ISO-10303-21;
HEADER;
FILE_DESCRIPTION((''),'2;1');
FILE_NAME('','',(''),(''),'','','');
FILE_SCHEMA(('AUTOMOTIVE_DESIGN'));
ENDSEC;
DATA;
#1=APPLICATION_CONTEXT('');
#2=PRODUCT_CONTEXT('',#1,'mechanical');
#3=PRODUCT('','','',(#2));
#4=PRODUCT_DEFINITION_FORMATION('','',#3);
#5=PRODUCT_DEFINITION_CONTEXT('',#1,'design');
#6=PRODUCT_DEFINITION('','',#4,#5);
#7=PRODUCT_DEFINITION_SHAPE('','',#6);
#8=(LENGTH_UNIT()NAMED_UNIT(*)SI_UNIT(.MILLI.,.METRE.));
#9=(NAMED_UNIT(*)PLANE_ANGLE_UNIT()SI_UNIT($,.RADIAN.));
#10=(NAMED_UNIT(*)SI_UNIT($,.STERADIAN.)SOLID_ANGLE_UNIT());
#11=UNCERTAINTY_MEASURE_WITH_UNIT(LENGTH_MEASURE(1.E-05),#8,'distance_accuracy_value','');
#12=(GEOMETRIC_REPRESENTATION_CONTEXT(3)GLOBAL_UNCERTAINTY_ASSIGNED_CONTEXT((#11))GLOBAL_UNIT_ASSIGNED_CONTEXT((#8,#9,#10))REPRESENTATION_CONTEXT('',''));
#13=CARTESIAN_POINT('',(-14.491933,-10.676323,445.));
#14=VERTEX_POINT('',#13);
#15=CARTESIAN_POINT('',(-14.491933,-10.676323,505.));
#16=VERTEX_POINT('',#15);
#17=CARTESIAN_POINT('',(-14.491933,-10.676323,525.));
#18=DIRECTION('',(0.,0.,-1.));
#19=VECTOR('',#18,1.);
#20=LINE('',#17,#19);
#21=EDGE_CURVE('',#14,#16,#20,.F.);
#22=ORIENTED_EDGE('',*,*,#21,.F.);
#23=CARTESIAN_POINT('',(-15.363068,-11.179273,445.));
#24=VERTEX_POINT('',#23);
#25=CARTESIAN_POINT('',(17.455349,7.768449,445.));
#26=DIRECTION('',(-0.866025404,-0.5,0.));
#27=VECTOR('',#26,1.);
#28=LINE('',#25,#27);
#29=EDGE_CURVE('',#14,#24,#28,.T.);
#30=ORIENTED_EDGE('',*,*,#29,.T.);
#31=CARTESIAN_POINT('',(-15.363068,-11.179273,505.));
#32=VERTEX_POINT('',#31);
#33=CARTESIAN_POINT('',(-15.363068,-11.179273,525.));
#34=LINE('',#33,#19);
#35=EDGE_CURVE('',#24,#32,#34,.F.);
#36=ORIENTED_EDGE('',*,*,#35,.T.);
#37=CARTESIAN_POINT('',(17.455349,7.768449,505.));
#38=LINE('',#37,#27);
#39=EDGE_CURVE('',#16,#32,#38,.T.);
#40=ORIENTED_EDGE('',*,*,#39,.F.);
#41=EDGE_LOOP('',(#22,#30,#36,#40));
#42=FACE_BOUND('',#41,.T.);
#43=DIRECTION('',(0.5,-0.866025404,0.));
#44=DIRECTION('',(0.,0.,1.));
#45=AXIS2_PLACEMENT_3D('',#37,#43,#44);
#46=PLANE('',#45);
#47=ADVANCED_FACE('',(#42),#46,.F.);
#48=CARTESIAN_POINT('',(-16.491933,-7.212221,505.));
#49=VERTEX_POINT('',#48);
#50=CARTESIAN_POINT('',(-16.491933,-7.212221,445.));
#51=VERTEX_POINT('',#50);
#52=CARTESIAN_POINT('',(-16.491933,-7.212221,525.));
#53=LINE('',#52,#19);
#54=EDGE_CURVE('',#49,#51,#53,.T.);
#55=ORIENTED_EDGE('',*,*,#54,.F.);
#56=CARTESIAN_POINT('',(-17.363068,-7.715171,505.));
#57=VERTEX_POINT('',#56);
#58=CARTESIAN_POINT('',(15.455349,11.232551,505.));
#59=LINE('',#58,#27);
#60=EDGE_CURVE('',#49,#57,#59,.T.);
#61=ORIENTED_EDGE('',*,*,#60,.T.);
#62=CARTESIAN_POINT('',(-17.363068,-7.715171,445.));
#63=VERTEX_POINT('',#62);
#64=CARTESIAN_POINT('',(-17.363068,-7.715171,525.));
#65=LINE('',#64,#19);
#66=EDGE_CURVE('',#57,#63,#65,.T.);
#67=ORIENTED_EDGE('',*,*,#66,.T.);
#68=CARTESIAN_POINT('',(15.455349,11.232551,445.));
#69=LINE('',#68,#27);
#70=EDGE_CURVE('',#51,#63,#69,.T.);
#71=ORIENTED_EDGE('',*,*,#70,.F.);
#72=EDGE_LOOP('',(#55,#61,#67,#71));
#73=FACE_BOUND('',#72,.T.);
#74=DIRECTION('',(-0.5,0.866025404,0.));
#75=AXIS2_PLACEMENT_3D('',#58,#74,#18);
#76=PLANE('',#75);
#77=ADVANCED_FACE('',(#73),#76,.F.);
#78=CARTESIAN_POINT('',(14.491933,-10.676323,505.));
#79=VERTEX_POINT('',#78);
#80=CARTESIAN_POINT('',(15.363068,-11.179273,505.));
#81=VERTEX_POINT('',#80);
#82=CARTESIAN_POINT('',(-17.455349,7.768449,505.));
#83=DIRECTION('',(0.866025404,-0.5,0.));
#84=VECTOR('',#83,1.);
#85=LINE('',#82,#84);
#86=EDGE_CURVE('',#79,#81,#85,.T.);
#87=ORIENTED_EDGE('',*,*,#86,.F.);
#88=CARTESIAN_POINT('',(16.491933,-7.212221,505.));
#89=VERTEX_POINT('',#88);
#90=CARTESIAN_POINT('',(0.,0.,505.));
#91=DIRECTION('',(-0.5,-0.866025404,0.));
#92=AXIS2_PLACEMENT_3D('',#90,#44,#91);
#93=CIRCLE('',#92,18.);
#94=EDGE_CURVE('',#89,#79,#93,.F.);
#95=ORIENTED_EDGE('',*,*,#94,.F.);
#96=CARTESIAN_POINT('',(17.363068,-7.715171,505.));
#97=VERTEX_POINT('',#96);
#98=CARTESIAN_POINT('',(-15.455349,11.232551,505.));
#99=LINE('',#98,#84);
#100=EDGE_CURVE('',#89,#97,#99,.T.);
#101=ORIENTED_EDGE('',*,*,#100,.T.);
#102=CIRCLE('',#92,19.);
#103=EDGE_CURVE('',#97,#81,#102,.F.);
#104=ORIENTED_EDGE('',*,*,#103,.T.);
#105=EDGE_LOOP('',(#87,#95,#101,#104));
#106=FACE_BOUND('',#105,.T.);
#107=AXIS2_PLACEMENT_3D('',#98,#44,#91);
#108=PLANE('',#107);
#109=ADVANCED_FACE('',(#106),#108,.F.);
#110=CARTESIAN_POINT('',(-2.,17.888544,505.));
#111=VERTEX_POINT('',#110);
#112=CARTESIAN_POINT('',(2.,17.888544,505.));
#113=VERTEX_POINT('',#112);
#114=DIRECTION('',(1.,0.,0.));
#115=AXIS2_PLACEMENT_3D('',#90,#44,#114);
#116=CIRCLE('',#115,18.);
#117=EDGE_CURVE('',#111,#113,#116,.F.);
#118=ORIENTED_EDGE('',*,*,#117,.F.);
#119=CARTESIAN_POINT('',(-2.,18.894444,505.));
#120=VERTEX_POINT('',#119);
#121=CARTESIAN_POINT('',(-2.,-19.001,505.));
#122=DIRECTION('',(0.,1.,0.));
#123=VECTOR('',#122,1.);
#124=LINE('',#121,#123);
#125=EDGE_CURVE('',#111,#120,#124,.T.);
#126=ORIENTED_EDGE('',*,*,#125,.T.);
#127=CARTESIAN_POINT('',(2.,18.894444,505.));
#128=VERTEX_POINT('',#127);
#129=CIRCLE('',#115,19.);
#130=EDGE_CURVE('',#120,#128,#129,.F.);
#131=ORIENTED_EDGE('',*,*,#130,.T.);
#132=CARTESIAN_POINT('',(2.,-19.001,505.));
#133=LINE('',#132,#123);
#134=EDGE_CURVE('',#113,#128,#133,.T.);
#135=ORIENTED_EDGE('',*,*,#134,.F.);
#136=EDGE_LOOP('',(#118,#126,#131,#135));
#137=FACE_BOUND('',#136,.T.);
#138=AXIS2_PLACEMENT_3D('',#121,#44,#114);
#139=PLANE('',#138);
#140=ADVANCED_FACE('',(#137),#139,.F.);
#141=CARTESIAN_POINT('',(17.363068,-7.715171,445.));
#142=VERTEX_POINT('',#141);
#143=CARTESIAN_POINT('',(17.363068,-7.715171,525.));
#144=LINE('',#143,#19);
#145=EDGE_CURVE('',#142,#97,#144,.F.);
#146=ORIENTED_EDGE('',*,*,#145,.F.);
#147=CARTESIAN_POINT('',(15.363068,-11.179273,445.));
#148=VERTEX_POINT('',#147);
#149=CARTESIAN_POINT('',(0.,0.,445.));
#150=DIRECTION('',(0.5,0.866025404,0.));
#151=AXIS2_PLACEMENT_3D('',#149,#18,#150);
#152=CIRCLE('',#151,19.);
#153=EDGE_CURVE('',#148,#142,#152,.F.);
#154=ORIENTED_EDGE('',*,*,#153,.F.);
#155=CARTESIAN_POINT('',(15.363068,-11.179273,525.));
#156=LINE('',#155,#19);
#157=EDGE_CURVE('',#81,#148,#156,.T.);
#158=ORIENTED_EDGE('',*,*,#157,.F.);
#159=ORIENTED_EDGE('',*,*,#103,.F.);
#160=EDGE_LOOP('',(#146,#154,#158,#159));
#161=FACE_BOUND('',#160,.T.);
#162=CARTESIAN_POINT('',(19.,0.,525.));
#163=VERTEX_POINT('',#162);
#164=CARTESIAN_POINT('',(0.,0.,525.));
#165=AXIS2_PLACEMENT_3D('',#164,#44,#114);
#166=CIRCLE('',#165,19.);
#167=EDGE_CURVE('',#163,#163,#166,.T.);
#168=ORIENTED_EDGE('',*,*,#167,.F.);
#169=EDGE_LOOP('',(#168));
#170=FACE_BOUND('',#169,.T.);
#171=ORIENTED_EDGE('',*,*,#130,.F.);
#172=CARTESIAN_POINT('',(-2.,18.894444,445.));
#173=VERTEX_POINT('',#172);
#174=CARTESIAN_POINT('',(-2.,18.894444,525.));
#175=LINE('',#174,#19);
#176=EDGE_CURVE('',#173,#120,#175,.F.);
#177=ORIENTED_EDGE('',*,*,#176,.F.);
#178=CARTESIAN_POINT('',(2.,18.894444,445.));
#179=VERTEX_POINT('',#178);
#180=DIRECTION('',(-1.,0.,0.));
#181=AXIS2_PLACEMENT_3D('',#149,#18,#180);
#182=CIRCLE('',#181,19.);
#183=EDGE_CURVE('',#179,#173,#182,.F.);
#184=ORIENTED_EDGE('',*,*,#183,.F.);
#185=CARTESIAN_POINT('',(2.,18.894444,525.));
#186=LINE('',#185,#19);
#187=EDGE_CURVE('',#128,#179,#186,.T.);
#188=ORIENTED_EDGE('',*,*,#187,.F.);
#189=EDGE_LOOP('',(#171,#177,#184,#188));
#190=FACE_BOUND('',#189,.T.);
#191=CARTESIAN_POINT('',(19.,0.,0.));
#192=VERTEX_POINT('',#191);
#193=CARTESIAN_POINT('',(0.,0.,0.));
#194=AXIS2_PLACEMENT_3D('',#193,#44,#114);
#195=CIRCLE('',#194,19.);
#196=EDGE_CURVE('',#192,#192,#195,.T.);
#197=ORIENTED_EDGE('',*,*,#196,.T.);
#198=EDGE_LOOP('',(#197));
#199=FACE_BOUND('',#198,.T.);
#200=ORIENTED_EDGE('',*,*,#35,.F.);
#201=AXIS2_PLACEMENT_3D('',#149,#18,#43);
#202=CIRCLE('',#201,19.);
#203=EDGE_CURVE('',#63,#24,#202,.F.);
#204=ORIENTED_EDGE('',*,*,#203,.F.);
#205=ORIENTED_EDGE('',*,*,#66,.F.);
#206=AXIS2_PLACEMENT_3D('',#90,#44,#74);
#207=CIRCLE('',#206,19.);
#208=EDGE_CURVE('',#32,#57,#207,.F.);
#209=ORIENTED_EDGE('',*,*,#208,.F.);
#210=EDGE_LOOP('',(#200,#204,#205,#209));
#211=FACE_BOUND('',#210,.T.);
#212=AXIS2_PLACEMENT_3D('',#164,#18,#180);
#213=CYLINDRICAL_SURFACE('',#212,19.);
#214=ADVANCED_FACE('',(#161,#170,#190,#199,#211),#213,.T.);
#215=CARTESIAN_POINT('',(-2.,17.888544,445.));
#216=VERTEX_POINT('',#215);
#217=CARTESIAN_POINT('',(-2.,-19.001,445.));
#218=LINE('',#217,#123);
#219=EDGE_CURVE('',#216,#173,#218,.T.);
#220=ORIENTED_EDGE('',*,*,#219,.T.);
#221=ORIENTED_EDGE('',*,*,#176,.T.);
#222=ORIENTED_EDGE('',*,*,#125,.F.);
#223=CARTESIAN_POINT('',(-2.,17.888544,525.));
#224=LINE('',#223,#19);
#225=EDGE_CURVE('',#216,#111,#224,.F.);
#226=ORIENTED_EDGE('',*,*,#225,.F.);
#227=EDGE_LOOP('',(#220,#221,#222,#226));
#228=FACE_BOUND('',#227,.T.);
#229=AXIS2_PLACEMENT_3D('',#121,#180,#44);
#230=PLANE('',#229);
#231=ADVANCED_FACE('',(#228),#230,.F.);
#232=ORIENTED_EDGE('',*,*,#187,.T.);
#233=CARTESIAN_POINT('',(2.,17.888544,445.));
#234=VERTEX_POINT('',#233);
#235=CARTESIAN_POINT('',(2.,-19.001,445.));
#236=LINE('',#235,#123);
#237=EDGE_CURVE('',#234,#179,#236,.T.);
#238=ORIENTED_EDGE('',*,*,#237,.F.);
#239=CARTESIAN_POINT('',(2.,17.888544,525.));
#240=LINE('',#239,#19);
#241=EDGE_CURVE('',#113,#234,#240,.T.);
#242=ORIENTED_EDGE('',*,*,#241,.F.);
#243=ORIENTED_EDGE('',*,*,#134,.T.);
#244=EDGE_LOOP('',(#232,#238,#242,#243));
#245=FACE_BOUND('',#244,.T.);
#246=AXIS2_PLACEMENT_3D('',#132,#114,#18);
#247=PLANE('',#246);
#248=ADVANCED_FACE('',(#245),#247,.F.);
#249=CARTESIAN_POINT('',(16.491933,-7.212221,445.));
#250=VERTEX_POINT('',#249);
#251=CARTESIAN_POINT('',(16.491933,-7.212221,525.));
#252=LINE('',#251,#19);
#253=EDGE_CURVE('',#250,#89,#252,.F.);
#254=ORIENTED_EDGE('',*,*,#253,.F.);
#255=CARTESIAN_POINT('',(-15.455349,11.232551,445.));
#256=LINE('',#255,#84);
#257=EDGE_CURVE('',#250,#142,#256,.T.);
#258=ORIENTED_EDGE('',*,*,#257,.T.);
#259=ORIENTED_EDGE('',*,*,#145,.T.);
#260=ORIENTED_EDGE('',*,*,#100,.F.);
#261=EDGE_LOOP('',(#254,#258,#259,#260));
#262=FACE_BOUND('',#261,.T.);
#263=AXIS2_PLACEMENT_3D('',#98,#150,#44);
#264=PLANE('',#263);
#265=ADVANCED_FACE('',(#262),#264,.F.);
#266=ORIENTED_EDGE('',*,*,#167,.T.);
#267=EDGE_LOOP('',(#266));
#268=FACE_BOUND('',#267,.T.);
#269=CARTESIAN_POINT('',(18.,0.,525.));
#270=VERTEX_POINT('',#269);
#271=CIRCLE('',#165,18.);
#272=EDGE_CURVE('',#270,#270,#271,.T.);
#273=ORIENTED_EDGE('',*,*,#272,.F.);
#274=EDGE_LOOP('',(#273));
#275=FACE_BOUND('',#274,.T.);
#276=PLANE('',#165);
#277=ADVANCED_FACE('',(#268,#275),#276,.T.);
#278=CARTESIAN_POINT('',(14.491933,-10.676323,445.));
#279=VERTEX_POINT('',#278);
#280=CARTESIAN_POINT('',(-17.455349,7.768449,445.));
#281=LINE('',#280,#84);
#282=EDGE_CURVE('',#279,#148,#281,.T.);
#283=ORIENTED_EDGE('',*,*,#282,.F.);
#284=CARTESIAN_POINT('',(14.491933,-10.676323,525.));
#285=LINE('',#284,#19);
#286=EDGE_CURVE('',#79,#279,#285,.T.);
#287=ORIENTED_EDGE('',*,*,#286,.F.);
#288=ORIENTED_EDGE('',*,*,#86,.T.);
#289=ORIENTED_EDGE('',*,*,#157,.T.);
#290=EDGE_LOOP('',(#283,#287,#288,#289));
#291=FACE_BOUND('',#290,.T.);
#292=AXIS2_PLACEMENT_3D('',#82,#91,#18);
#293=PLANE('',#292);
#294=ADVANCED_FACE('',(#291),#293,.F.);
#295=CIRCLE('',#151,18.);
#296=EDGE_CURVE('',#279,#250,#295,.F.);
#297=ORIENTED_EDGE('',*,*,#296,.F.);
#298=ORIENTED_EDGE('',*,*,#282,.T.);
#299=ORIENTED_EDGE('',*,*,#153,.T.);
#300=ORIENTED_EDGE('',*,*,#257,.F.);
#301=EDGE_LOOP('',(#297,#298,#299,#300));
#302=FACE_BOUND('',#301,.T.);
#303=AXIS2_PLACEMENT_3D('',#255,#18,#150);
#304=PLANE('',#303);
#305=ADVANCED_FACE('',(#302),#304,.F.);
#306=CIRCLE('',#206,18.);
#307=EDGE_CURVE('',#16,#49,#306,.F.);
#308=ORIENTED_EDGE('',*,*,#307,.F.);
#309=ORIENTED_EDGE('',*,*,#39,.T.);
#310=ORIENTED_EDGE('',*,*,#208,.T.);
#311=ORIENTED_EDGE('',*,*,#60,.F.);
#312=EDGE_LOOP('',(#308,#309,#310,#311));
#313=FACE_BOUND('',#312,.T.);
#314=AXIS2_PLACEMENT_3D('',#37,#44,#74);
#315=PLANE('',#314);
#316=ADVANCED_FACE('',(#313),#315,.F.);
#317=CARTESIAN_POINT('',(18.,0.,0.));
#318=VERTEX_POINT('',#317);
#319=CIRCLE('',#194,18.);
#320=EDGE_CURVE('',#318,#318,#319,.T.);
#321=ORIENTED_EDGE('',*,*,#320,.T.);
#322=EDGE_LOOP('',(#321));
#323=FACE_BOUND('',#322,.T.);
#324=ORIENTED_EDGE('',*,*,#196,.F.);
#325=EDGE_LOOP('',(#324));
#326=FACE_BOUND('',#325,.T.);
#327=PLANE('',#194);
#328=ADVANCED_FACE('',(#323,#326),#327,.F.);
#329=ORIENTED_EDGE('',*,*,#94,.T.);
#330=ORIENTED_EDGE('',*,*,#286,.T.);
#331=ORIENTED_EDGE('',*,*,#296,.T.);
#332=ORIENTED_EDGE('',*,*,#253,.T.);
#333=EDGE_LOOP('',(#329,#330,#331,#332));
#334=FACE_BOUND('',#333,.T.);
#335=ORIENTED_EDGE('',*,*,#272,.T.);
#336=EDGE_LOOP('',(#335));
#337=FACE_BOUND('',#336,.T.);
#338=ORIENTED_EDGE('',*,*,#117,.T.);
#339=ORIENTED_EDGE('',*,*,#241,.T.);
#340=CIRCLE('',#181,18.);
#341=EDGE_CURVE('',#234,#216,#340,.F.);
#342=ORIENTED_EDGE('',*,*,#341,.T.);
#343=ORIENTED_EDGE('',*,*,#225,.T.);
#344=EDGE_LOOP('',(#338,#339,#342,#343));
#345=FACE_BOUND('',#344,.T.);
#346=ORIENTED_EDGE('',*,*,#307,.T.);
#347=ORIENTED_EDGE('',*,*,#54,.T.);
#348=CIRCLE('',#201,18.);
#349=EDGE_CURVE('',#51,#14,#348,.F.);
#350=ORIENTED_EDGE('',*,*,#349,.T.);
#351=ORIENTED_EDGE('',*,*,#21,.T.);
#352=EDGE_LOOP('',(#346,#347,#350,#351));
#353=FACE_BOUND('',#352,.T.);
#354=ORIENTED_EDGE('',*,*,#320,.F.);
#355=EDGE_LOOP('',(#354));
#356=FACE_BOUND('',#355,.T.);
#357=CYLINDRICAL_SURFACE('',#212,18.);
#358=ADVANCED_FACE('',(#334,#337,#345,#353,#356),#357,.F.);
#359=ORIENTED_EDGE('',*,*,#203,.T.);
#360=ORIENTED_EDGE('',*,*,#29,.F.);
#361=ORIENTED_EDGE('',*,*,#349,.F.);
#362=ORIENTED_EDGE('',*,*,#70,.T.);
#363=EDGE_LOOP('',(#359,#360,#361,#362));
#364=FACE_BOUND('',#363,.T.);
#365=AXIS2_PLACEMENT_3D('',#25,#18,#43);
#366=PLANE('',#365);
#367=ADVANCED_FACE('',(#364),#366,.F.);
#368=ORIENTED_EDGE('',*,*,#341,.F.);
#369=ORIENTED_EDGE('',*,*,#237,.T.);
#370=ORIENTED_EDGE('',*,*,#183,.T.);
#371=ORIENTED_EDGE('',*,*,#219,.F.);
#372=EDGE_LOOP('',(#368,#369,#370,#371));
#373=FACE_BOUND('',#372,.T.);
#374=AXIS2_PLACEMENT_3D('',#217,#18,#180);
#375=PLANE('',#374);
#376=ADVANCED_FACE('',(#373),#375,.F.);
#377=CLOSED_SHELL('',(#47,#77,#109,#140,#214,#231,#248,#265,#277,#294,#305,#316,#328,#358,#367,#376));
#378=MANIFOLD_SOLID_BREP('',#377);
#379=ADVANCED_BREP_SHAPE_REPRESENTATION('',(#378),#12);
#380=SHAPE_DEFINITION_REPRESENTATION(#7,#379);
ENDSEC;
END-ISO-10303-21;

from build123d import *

# Parameters (mm, degrees)
SKETCH1_R               = 19
SKETCH1_R_2             = 18
BOSS_EXTRUDE1_DEPTH     = 525
CUT_EXTRUDE1_REACH      = 528.716
CUT_EXTRUDE1_END_RADIUS = 18
SKETCH2_W               = 4
SKETCH2_H               = 60
CIRPATTERN1_COUNT       = 3


with BuildPart() as part:
    # Sketch1 → Boss-Extrude1 (new body)
    with BuildSketch(Plane.XY):
        Circle(SKETCH1_R)
        Circle(SKETCH1_R_2, mode=Mode.SUBTRACT)
    extrude(amount=BOSS_EXTRUDE1_DEPTH)

    # Cut-Extrude1: up to this cylinder (the profile starts outside it)
    cut_extrude1_end = Plane(origin=(0, 0, 475), z_dir=(0, 0, -1)) * Cylinder(CUT_EXTRUDE1_END_RADIUS, 1094.432, mode=Mode.PRIVATE)
    # Sketch2 → Cut-Extrude1 (cut, up to the surface)
    with BuildSketch(Plane(origin=(0, 19, 0), x_dir=(1, 0, 0), z_dir=(0, 1, 0)), mode=Mode.PRIVATE) as cut_extrude1_sk1:
        with Locations((0, -475)):
            Rectangle(SKETCH2_W, SKETCH2_H)
    cut_extrude1_tool1 = extrude(cut_extrude1_sk1.sketch, amount=-CUT_EXTRUDE1_REACH, mode=Mode.PRIVATE) - cut_extrude1_end
    cut_extrude1 = cut_extrude1_tool1.solids().sort_by_distance((0, 19, 475))[0]
    add(cut_extrude1, mode=Mode.SUBTRACT)

    # CirPattern1: Cut-Extrude1 ×3 about axis
    cirpattern1_axis = Axis((0, 0, 0), (0, 0, 1))
    for i in range(1, CIRPATTERN1_COUNT):
        add(cut_extrude1.rotate(cirpattern1_axis, i * 360 / CIRPATTERN1_COUNT), mode=Mode.SUBTRACT)


solid = part.part
